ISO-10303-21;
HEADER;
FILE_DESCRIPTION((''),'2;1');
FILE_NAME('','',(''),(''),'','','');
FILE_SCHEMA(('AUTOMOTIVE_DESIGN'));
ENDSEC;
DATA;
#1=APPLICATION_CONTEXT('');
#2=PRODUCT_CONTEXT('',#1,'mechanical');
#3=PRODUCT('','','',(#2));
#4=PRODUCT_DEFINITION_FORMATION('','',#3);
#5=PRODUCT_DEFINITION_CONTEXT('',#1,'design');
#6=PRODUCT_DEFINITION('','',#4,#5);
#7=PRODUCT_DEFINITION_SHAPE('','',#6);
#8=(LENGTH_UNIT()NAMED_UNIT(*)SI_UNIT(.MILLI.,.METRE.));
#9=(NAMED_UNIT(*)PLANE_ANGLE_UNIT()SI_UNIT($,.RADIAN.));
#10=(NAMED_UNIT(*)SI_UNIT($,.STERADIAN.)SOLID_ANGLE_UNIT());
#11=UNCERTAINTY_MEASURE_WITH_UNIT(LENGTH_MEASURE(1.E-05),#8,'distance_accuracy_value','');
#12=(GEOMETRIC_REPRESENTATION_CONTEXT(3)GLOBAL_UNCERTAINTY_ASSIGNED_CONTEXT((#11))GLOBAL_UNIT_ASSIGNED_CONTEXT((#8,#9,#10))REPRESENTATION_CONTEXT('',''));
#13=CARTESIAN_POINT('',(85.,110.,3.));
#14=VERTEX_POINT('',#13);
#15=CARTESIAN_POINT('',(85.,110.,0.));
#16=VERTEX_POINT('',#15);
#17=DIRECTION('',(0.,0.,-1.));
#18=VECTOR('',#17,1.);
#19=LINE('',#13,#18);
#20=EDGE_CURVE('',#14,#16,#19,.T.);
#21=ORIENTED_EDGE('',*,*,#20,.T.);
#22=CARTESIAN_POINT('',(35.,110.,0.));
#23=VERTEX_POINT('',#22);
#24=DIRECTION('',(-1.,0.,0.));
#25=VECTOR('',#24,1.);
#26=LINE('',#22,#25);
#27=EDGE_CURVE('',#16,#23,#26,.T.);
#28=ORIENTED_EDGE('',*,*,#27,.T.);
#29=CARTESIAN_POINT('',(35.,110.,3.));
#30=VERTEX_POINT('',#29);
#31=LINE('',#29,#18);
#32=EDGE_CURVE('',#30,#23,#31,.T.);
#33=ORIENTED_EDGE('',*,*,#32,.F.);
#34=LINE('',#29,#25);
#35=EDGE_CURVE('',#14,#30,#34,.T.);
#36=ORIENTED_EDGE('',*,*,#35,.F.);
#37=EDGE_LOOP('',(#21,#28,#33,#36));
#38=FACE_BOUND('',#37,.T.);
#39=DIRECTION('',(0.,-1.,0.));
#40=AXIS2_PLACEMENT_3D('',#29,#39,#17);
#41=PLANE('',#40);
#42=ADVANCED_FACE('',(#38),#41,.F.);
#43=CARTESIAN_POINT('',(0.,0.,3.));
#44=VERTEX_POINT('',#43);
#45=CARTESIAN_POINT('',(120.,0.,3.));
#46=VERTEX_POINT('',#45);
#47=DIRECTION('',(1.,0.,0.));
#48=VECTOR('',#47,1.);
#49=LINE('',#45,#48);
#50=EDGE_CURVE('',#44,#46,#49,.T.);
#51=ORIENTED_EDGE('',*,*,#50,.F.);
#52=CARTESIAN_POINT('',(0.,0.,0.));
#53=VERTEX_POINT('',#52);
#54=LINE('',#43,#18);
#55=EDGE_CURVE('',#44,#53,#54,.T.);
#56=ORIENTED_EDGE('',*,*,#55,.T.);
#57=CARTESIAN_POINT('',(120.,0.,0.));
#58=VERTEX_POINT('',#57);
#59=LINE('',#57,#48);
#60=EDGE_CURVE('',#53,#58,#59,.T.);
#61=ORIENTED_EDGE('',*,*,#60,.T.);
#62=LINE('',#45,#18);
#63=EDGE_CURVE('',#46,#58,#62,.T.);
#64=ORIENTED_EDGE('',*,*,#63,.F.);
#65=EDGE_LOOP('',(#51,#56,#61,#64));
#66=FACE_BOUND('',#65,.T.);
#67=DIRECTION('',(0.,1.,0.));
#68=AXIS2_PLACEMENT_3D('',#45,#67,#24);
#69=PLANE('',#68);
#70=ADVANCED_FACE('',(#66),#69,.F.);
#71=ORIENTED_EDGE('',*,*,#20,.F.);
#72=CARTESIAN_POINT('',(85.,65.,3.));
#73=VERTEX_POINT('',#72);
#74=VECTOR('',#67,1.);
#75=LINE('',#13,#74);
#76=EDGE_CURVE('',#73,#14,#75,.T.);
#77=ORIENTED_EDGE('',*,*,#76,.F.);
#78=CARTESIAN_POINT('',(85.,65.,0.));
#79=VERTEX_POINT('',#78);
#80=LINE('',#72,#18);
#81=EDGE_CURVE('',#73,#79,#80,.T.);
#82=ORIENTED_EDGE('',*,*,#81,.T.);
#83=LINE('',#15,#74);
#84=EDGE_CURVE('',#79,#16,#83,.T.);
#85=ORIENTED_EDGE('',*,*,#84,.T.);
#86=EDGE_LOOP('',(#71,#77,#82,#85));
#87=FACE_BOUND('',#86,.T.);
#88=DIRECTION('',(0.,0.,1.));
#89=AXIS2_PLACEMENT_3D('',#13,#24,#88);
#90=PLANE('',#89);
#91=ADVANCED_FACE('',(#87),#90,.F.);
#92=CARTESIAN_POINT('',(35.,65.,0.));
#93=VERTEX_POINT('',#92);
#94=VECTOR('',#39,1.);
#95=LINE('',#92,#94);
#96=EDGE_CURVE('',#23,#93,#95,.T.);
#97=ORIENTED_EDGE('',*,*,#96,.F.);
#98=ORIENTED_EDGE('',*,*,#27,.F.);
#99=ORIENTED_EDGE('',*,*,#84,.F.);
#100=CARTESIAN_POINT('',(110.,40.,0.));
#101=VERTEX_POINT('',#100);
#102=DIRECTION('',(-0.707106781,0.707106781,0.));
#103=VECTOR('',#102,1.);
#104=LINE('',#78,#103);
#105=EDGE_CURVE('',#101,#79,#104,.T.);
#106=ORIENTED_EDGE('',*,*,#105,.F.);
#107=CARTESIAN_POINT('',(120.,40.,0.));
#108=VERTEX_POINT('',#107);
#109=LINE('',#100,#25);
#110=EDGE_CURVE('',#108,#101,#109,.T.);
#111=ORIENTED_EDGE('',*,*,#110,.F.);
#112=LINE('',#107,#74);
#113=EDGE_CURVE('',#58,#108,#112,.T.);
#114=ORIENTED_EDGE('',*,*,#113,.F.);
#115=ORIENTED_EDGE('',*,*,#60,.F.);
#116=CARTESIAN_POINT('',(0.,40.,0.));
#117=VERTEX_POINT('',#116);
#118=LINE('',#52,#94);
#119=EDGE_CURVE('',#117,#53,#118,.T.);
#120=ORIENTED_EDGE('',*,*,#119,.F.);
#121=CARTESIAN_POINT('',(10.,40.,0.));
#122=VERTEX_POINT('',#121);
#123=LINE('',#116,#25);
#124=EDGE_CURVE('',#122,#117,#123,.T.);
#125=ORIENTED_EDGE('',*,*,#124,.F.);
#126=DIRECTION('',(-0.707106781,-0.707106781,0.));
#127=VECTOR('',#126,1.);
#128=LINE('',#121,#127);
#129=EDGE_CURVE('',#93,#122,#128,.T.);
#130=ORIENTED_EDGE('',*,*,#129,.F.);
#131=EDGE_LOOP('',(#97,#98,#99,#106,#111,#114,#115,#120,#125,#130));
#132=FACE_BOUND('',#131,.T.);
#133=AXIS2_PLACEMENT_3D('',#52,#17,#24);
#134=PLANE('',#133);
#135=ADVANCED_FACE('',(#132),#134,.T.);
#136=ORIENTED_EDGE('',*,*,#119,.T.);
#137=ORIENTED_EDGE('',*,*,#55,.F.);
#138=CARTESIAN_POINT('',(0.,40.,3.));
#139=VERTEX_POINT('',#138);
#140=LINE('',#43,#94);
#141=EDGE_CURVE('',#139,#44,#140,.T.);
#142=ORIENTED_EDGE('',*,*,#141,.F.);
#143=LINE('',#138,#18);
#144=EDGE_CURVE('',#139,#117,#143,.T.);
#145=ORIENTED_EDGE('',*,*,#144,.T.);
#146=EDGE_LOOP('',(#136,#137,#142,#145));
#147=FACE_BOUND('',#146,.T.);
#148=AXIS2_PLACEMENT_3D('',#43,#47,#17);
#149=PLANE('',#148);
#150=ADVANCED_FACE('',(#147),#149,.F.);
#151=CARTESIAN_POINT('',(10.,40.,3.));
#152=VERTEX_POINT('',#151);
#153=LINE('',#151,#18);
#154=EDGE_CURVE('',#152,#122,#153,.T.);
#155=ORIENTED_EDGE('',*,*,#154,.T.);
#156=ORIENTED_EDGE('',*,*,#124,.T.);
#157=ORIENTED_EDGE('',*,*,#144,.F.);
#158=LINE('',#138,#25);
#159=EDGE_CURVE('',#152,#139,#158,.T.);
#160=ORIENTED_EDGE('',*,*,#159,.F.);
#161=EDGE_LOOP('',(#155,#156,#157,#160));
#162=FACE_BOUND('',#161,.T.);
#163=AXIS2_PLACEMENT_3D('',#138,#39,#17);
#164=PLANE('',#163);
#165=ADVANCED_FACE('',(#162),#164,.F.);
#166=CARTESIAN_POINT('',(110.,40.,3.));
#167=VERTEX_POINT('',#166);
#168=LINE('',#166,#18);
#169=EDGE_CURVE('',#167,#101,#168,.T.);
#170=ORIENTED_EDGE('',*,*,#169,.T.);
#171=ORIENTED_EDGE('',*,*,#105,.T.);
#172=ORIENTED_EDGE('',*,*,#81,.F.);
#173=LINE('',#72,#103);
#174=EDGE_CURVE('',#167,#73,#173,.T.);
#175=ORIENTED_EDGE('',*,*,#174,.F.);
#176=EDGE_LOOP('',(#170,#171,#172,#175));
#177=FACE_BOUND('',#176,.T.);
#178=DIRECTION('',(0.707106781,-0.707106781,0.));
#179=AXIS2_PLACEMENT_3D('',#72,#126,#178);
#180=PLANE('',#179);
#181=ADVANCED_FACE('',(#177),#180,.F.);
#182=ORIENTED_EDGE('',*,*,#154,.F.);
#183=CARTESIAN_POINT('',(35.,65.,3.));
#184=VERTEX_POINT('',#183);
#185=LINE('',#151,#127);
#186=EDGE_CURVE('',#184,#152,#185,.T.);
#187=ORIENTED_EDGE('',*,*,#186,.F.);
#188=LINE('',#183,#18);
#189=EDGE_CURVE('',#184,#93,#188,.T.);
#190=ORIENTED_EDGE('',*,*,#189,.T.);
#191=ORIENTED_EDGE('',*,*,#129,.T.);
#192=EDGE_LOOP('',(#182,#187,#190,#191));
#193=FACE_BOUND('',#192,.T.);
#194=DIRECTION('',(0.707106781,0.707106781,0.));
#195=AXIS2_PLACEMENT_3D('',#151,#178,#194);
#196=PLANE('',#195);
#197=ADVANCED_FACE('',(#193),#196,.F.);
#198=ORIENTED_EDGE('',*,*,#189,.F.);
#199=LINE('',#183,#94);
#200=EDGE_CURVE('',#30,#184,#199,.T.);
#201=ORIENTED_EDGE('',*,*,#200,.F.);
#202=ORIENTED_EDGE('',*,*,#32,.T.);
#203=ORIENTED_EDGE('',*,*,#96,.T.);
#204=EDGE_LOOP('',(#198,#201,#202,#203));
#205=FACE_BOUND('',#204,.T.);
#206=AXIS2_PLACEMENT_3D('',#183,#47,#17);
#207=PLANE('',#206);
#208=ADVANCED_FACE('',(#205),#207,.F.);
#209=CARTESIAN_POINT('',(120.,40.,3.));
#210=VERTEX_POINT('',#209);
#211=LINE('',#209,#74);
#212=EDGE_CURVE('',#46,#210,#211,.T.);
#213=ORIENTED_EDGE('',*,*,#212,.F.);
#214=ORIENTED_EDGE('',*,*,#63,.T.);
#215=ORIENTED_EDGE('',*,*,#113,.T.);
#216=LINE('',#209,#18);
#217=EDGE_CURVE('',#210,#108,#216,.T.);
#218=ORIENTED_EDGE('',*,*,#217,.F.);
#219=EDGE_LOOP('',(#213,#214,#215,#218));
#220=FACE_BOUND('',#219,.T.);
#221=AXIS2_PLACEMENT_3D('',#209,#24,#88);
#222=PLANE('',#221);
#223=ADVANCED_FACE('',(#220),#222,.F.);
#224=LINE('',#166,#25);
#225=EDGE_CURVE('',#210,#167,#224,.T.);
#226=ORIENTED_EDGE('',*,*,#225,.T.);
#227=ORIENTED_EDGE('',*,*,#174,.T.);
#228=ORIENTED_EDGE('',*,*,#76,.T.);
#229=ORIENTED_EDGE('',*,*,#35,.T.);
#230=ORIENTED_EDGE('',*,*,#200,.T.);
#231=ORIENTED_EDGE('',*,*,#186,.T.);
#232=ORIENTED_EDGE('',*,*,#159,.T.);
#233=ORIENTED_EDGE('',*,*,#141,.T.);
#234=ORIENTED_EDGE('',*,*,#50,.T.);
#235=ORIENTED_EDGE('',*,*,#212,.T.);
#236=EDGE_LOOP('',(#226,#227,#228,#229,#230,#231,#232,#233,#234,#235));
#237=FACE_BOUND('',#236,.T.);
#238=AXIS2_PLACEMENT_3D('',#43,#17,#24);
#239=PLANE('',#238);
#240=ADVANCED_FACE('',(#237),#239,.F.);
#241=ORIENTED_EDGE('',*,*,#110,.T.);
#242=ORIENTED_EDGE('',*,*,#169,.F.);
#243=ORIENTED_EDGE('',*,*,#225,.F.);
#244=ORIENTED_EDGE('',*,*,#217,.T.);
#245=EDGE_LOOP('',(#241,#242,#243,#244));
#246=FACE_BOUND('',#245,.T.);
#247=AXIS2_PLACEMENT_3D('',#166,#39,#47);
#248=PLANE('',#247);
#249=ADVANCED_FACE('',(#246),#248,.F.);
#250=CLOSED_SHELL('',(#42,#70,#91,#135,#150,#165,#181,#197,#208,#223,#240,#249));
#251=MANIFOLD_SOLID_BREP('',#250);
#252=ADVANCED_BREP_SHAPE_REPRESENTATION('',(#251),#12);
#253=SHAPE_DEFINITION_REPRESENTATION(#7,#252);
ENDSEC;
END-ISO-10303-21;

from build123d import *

# Parameters (mm, degrees)
EXTRUDE_1_DEPTH = 3


with BuildPart() as part:
    # 草图1 → 凸台-拉伸1 (new body)
    with BuildSketch(Plane.XY):
        Polygon((0, 0), (0, 40), (10, 40), (35, 65), (35, 110), (85, 110), (85, 65), (110, 40), (120, 40), (120, 0), align=None)
    extrude(amount=EXTRUDE_1_DEPTH)


solid = part.part
